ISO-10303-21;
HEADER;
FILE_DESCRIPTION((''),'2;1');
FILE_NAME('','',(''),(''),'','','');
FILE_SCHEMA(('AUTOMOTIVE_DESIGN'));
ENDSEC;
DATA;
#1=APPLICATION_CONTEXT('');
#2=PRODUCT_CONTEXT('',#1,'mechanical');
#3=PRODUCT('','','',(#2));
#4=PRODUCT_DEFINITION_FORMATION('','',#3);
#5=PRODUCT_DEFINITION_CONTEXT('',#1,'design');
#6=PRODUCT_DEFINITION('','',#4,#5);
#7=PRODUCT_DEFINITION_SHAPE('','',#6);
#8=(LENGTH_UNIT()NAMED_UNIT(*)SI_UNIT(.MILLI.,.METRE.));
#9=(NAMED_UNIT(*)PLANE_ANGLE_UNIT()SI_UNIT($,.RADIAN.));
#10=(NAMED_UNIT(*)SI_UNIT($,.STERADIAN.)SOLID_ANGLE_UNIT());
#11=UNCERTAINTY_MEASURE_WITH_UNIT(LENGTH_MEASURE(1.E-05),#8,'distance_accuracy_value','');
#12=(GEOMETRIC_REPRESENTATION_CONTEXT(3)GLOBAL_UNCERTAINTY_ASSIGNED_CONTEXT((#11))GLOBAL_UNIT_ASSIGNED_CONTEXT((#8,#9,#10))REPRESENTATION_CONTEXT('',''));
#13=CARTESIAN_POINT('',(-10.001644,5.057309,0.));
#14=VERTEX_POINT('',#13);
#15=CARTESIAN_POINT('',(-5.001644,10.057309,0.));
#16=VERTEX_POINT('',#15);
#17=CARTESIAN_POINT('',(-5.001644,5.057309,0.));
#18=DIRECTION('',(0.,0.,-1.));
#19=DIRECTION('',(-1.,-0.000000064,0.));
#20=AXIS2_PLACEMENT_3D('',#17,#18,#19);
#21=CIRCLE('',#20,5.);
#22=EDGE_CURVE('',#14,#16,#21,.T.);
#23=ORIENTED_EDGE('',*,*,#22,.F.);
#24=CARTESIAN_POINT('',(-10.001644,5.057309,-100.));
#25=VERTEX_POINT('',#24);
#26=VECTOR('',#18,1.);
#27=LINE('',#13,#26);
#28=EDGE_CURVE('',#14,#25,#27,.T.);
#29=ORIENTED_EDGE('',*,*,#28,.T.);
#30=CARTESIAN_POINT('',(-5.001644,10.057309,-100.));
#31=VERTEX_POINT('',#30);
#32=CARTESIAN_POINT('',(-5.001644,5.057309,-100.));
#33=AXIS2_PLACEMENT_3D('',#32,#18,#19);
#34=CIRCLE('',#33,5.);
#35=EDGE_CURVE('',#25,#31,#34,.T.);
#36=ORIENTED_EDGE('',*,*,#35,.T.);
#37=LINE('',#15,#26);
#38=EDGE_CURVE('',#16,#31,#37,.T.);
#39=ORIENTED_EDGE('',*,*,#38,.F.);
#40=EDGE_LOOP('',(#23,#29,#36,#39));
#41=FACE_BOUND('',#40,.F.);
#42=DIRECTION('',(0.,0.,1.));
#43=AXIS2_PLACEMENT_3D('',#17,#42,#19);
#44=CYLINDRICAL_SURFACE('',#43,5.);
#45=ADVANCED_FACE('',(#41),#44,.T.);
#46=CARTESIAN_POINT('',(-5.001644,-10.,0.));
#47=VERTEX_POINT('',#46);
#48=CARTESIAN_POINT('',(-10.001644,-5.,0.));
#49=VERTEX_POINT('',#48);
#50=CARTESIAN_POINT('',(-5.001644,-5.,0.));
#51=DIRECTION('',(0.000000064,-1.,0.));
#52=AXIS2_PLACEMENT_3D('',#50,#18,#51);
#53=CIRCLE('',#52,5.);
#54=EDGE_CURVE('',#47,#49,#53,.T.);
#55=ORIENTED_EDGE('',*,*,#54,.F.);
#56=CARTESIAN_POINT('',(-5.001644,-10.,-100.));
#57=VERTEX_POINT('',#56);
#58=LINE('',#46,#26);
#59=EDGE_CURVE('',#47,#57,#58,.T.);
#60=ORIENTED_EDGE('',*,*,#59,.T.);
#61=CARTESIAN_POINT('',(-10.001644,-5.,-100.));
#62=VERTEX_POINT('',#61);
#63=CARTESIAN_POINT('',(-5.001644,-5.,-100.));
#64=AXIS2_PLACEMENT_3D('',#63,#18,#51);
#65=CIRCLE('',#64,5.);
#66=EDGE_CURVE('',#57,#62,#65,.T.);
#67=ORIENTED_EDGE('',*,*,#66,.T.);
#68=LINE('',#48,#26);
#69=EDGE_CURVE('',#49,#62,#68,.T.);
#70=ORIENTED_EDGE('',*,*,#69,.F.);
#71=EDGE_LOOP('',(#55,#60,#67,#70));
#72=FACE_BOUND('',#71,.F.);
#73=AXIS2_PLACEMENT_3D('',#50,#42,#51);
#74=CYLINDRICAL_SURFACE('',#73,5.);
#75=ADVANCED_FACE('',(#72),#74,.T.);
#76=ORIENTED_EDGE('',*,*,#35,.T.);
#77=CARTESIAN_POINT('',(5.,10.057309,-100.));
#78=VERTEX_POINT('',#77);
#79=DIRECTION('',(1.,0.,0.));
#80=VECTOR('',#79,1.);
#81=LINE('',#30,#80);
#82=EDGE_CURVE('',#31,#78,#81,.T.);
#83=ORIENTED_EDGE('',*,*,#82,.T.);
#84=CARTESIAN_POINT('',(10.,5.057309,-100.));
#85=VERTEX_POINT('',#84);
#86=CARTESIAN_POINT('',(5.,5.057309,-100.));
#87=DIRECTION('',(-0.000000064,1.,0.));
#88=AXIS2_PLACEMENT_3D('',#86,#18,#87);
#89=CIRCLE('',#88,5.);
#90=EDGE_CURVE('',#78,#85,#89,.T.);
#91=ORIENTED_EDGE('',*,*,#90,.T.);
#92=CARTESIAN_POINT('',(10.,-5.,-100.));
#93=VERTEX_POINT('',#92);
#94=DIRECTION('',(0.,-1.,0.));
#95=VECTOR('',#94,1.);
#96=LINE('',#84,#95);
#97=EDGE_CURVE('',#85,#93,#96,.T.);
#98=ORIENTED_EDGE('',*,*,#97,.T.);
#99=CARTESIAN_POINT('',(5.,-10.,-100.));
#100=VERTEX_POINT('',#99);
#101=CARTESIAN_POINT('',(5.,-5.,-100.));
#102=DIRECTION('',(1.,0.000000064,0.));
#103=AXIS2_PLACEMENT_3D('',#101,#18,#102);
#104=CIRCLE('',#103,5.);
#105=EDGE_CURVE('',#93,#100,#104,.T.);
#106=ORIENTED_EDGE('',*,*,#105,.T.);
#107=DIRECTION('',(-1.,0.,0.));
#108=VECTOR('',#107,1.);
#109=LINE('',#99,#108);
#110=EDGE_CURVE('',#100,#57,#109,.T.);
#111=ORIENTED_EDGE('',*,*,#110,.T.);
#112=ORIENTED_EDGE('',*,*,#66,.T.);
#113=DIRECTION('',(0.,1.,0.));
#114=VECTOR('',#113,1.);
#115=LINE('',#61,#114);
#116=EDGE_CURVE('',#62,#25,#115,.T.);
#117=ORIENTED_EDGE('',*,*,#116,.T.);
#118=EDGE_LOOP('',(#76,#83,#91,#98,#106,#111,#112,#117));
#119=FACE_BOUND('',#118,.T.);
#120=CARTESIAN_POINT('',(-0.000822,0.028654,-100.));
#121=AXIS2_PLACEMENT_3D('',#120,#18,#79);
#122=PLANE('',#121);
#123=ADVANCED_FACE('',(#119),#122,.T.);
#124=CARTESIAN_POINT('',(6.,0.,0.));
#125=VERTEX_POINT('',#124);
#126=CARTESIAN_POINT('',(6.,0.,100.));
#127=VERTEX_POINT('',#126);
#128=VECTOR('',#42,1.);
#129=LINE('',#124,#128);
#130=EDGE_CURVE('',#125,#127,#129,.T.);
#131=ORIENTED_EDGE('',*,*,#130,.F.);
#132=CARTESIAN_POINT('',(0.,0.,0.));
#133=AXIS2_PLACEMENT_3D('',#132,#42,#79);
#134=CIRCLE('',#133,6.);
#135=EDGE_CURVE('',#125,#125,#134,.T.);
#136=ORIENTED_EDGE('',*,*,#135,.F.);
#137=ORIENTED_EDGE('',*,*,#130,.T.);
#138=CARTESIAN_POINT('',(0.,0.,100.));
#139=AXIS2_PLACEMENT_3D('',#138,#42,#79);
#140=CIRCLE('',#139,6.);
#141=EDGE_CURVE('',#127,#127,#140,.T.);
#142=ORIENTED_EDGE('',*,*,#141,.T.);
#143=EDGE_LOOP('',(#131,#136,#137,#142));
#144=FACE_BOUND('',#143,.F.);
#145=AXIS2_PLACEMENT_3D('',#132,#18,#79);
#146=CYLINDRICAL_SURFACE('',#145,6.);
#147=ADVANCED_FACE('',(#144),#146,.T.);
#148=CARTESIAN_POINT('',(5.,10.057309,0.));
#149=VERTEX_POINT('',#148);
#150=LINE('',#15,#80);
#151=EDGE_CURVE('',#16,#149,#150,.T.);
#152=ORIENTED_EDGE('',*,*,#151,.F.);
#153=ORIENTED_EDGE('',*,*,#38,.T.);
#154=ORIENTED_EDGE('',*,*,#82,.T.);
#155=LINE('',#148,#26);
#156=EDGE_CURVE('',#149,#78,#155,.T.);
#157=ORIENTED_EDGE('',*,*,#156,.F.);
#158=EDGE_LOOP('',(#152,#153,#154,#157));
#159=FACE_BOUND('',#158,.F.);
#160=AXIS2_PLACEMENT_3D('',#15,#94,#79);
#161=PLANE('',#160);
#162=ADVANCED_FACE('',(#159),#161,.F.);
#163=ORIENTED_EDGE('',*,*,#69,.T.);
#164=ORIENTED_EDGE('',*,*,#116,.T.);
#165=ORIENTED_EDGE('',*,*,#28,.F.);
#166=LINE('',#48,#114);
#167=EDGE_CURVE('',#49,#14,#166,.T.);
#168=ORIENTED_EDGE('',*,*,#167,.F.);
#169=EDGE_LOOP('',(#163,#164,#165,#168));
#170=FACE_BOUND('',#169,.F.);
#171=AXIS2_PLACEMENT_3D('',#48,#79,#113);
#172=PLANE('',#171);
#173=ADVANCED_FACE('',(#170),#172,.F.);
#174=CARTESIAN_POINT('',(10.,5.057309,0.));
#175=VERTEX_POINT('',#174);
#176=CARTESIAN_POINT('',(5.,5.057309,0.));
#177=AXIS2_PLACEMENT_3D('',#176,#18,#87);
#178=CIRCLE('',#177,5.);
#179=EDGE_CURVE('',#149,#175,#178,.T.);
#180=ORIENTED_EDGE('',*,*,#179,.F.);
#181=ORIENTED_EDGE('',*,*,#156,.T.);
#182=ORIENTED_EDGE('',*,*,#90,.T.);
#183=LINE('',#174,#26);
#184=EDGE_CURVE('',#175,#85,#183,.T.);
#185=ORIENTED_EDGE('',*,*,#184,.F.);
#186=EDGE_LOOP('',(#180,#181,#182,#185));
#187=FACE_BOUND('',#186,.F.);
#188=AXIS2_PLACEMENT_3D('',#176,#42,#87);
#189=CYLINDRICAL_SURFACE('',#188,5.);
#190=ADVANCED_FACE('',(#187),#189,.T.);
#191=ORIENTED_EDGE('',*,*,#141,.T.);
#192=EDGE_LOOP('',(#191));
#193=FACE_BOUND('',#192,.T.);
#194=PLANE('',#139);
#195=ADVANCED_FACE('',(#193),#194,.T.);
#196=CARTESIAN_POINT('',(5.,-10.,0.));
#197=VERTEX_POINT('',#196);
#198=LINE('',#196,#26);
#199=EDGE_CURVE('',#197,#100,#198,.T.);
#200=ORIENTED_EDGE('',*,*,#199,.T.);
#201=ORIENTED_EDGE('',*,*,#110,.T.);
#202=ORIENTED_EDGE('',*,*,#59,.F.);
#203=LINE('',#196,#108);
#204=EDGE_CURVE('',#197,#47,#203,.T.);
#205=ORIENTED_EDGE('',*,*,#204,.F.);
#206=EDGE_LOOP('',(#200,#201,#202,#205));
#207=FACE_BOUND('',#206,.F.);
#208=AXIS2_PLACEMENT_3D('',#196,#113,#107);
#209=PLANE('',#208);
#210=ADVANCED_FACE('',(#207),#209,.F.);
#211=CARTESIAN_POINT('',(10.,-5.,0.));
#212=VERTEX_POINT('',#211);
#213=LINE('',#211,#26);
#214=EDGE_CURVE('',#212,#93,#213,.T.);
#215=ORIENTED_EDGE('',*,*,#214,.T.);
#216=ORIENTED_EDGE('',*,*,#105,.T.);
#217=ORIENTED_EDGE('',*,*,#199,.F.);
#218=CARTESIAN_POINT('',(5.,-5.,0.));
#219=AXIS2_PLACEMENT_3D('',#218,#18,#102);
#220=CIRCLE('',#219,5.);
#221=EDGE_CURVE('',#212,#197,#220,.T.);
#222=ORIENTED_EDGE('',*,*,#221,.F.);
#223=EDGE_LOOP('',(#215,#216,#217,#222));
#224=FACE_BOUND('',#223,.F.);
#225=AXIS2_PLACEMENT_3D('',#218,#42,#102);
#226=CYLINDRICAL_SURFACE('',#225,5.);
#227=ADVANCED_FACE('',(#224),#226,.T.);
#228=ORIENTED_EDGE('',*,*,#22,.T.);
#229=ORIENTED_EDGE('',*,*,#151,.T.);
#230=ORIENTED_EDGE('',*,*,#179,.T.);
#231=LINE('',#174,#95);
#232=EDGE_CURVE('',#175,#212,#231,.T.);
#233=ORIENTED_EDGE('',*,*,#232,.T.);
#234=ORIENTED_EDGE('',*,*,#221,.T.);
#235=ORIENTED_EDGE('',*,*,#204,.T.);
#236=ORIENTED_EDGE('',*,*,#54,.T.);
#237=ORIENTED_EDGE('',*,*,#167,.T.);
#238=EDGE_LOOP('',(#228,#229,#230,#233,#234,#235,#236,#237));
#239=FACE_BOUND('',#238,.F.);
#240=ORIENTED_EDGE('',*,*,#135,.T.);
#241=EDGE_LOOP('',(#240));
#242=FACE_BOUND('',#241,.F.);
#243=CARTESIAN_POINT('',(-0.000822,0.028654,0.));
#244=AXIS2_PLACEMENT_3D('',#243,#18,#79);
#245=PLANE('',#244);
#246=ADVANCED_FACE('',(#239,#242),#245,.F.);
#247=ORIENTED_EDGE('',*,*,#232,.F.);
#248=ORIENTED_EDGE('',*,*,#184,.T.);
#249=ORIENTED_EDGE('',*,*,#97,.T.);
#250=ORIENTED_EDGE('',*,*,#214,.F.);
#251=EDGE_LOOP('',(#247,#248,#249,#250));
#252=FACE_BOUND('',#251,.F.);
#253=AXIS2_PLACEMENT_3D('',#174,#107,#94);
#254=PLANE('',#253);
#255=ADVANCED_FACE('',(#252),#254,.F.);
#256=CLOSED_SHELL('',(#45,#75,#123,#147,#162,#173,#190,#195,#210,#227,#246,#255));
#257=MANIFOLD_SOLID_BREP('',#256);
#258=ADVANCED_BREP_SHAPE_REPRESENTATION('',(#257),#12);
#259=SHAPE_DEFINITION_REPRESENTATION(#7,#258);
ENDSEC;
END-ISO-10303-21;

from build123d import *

# Parameters (mm, degrees)
F0_R     = 6
F1_DEPTH = 100
F3_DEPTH = 100


with BuildPart() as f1:
    # F0 (on Top) → F1 (new body)
    with BuildSketch(Plane.XY):
        Circle(F0_R)
    extrude(amount=F1_DEPTH)

    # F2 (on face) → F3 (join)
    with BuildSketch(Plane(origin=(0, 0, 0), x_dir=(1, 0, 0), z_dir=(0, 0, -1))):
        with BuildLine():
            ThreePointArc((10, 5), (8.535534, 8.535534), (5, 10))
            Line((5, 10), (0, 10))
            Line((0, 10), (-5.001644, 10))
            ThreePointArc((-5.001644, 10), (-8.537178, 8.535534), (-10.001644, 5))
            Line((-10.001644, 5), (-10.001644, -5.057309))
            ThreePointArc((-10.001644, -5.057309), (-8.537178, -8.592843), (-5.001644, -10.057309))
            Line((-5.001644, -10.057309), (5, -10.057309))
            ThreePointArc((5, -10.057309), (8.535534, -8.592843), (10, -5.057309))
            Line((10, -5.057309), (10, 0))
            Line((10, 0), (10, 5))
        make_face()
    extrude(amount=F3_DEPTH)


solid = f1.part
